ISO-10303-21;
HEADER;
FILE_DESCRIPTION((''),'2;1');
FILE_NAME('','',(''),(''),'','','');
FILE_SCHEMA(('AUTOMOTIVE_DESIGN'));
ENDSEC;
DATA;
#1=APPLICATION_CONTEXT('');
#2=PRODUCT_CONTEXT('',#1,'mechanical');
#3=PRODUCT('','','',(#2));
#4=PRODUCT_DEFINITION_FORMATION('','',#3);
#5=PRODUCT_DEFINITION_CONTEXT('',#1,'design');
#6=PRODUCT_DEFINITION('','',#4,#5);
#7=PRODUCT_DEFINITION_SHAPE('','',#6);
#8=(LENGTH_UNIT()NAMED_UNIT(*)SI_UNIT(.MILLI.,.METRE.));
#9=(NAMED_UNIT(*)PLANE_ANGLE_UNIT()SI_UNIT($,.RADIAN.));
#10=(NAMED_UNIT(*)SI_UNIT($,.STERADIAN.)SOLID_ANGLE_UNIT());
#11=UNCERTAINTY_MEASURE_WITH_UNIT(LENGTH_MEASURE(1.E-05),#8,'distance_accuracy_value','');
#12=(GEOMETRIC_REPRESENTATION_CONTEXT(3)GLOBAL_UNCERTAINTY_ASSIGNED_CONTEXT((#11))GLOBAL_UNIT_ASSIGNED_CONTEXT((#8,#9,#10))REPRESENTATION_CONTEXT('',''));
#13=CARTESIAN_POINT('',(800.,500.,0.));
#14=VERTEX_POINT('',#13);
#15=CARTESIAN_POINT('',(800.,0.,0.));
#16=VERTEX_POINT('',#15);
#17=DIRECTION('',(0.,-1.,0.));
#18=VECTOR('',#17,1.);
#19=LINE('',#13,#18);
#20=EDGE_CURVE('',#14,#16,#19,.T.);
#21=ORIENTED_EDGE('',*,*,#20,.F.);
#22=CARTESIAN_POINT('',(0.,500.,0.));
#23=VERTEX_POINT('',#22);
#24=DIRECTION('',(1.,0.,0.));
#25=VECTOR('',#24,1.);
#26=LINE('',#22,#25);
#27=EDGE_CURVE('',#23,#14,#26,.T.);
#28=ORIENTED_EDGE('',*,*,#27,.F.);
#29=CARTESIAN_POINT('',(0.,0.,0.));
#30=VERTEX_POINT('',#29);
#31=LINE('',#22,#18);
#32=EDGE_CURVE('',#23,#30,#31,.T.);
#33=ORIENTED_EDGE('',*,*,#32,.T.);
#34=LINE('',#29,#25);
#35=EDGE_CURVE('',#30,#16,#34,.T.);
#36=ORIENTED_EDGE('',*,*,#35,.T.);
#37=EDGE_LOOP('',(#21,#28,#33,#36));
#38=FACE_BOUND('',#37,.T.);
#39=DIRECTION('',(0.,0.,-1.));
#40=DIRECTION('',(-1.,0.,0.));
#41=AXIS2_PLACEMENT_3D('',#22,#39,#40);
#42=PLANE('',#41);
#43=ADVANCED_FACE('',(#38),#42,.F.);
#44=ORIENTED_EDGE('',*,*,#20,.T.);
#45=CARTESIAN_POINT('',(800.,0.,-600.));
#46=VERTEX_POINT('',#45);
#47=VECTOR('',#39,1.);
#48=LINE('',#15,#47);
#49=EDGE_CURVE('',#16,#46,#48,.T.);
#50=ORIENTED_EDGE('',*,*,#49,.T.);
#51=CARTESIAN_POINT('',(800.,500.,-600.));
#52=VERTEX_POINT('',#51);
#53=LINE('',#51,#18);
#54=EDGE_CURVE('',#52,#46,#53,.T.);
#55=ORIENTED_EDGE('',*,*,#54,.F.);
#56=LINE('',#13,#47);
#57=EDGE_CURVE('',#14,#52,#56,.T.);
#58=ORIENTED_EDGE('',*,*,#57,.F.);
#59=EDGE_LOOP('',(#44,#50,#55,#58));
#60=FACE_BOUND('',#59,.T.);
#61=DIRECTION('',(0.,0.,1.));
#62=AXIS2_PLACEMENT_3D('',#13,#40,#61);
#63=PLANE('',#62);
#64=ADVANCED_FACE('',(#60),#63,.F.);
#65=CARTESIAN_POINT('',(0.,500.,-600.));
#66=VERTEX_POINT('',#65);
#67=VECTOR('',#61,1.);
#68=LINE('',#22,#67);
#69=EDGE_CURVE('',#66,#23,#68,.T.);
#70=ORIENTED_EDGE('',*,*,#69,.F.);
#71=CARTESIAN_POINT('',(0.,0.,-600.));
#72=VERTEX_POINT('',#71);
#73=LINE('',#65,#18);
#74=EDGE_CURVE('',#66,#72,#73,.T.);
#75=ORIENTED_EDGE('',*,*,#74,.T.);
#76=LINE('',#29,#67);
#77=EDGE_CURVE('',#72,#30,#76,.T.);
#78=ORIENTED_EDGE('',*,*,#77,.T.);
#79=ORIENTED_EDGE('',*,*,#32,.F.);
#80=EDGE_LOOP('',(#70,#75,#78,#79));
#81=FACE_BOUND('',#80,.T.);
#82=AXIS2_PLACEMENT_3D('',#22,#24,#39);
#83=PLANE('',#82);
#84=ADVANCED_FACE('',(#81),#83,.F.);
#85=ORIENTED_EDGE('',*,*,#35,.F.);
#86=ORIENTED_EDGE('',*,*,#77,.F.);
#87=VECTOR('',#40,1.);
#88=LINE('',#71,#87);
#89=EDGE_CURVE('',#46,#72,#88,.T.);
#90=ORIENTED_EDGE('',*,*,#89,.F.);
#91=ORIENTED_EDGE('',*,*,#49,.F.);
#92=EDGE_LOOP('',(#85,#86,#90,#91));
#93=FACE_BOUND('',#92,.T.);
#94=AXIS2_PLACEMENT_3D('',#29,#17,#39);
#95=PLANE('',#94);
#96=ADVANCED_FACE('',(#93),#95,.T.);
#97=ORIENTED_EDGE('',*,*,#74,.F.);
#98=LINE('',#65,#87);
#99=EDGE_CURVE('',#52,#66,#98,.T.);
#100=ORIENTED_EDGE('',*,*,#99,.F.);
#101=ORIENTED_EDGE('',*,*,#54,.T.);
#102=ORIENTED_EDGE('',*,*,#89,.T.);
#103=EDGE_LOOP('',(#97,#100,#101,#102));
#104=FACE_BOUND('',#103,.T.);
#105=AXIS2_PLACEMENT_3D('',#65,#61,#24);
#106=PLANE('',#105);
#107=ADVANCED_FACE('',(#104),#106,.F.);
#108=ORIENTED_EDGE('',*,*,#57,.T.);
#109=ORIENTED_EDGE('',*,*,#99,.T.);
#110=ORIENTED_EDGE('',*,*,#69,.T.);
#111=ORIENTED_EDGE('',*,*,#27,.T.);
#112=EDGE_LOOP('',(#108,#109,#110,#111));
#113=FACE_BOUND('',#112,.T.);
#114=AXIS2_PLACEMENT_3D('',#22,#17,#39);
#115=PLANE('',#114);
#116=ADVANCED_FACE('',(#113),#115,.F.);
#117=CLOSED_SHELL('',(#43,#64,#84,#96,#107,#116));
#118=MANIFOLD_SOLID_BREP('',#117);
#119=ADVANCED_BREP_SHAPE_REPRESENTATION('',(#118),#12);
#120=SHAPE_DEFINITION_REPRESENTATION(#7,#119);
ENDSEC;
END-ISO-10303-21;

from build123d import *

# Parameters (mm, degrees)
SKETCH1_W           = 800
SKETCH1_H           = 600
BOSS_EXTRUDE1_DEPTH = 500


with BuildPart() as part:
    # Sketch1 → Boss-Extrude1 (new body)
    with BuildSketch(Plane(origin=(0, 0, 0), x_dir=(1, 0, 0), z_dir=(0, 1, 0))):
        with Locations((400, 300)):
            Rectangle(SKETCH1_W, SKETCH1_H)
    extrude(amount=BOSS_EXTRUDE1_DEPTH)


solid = part.part
